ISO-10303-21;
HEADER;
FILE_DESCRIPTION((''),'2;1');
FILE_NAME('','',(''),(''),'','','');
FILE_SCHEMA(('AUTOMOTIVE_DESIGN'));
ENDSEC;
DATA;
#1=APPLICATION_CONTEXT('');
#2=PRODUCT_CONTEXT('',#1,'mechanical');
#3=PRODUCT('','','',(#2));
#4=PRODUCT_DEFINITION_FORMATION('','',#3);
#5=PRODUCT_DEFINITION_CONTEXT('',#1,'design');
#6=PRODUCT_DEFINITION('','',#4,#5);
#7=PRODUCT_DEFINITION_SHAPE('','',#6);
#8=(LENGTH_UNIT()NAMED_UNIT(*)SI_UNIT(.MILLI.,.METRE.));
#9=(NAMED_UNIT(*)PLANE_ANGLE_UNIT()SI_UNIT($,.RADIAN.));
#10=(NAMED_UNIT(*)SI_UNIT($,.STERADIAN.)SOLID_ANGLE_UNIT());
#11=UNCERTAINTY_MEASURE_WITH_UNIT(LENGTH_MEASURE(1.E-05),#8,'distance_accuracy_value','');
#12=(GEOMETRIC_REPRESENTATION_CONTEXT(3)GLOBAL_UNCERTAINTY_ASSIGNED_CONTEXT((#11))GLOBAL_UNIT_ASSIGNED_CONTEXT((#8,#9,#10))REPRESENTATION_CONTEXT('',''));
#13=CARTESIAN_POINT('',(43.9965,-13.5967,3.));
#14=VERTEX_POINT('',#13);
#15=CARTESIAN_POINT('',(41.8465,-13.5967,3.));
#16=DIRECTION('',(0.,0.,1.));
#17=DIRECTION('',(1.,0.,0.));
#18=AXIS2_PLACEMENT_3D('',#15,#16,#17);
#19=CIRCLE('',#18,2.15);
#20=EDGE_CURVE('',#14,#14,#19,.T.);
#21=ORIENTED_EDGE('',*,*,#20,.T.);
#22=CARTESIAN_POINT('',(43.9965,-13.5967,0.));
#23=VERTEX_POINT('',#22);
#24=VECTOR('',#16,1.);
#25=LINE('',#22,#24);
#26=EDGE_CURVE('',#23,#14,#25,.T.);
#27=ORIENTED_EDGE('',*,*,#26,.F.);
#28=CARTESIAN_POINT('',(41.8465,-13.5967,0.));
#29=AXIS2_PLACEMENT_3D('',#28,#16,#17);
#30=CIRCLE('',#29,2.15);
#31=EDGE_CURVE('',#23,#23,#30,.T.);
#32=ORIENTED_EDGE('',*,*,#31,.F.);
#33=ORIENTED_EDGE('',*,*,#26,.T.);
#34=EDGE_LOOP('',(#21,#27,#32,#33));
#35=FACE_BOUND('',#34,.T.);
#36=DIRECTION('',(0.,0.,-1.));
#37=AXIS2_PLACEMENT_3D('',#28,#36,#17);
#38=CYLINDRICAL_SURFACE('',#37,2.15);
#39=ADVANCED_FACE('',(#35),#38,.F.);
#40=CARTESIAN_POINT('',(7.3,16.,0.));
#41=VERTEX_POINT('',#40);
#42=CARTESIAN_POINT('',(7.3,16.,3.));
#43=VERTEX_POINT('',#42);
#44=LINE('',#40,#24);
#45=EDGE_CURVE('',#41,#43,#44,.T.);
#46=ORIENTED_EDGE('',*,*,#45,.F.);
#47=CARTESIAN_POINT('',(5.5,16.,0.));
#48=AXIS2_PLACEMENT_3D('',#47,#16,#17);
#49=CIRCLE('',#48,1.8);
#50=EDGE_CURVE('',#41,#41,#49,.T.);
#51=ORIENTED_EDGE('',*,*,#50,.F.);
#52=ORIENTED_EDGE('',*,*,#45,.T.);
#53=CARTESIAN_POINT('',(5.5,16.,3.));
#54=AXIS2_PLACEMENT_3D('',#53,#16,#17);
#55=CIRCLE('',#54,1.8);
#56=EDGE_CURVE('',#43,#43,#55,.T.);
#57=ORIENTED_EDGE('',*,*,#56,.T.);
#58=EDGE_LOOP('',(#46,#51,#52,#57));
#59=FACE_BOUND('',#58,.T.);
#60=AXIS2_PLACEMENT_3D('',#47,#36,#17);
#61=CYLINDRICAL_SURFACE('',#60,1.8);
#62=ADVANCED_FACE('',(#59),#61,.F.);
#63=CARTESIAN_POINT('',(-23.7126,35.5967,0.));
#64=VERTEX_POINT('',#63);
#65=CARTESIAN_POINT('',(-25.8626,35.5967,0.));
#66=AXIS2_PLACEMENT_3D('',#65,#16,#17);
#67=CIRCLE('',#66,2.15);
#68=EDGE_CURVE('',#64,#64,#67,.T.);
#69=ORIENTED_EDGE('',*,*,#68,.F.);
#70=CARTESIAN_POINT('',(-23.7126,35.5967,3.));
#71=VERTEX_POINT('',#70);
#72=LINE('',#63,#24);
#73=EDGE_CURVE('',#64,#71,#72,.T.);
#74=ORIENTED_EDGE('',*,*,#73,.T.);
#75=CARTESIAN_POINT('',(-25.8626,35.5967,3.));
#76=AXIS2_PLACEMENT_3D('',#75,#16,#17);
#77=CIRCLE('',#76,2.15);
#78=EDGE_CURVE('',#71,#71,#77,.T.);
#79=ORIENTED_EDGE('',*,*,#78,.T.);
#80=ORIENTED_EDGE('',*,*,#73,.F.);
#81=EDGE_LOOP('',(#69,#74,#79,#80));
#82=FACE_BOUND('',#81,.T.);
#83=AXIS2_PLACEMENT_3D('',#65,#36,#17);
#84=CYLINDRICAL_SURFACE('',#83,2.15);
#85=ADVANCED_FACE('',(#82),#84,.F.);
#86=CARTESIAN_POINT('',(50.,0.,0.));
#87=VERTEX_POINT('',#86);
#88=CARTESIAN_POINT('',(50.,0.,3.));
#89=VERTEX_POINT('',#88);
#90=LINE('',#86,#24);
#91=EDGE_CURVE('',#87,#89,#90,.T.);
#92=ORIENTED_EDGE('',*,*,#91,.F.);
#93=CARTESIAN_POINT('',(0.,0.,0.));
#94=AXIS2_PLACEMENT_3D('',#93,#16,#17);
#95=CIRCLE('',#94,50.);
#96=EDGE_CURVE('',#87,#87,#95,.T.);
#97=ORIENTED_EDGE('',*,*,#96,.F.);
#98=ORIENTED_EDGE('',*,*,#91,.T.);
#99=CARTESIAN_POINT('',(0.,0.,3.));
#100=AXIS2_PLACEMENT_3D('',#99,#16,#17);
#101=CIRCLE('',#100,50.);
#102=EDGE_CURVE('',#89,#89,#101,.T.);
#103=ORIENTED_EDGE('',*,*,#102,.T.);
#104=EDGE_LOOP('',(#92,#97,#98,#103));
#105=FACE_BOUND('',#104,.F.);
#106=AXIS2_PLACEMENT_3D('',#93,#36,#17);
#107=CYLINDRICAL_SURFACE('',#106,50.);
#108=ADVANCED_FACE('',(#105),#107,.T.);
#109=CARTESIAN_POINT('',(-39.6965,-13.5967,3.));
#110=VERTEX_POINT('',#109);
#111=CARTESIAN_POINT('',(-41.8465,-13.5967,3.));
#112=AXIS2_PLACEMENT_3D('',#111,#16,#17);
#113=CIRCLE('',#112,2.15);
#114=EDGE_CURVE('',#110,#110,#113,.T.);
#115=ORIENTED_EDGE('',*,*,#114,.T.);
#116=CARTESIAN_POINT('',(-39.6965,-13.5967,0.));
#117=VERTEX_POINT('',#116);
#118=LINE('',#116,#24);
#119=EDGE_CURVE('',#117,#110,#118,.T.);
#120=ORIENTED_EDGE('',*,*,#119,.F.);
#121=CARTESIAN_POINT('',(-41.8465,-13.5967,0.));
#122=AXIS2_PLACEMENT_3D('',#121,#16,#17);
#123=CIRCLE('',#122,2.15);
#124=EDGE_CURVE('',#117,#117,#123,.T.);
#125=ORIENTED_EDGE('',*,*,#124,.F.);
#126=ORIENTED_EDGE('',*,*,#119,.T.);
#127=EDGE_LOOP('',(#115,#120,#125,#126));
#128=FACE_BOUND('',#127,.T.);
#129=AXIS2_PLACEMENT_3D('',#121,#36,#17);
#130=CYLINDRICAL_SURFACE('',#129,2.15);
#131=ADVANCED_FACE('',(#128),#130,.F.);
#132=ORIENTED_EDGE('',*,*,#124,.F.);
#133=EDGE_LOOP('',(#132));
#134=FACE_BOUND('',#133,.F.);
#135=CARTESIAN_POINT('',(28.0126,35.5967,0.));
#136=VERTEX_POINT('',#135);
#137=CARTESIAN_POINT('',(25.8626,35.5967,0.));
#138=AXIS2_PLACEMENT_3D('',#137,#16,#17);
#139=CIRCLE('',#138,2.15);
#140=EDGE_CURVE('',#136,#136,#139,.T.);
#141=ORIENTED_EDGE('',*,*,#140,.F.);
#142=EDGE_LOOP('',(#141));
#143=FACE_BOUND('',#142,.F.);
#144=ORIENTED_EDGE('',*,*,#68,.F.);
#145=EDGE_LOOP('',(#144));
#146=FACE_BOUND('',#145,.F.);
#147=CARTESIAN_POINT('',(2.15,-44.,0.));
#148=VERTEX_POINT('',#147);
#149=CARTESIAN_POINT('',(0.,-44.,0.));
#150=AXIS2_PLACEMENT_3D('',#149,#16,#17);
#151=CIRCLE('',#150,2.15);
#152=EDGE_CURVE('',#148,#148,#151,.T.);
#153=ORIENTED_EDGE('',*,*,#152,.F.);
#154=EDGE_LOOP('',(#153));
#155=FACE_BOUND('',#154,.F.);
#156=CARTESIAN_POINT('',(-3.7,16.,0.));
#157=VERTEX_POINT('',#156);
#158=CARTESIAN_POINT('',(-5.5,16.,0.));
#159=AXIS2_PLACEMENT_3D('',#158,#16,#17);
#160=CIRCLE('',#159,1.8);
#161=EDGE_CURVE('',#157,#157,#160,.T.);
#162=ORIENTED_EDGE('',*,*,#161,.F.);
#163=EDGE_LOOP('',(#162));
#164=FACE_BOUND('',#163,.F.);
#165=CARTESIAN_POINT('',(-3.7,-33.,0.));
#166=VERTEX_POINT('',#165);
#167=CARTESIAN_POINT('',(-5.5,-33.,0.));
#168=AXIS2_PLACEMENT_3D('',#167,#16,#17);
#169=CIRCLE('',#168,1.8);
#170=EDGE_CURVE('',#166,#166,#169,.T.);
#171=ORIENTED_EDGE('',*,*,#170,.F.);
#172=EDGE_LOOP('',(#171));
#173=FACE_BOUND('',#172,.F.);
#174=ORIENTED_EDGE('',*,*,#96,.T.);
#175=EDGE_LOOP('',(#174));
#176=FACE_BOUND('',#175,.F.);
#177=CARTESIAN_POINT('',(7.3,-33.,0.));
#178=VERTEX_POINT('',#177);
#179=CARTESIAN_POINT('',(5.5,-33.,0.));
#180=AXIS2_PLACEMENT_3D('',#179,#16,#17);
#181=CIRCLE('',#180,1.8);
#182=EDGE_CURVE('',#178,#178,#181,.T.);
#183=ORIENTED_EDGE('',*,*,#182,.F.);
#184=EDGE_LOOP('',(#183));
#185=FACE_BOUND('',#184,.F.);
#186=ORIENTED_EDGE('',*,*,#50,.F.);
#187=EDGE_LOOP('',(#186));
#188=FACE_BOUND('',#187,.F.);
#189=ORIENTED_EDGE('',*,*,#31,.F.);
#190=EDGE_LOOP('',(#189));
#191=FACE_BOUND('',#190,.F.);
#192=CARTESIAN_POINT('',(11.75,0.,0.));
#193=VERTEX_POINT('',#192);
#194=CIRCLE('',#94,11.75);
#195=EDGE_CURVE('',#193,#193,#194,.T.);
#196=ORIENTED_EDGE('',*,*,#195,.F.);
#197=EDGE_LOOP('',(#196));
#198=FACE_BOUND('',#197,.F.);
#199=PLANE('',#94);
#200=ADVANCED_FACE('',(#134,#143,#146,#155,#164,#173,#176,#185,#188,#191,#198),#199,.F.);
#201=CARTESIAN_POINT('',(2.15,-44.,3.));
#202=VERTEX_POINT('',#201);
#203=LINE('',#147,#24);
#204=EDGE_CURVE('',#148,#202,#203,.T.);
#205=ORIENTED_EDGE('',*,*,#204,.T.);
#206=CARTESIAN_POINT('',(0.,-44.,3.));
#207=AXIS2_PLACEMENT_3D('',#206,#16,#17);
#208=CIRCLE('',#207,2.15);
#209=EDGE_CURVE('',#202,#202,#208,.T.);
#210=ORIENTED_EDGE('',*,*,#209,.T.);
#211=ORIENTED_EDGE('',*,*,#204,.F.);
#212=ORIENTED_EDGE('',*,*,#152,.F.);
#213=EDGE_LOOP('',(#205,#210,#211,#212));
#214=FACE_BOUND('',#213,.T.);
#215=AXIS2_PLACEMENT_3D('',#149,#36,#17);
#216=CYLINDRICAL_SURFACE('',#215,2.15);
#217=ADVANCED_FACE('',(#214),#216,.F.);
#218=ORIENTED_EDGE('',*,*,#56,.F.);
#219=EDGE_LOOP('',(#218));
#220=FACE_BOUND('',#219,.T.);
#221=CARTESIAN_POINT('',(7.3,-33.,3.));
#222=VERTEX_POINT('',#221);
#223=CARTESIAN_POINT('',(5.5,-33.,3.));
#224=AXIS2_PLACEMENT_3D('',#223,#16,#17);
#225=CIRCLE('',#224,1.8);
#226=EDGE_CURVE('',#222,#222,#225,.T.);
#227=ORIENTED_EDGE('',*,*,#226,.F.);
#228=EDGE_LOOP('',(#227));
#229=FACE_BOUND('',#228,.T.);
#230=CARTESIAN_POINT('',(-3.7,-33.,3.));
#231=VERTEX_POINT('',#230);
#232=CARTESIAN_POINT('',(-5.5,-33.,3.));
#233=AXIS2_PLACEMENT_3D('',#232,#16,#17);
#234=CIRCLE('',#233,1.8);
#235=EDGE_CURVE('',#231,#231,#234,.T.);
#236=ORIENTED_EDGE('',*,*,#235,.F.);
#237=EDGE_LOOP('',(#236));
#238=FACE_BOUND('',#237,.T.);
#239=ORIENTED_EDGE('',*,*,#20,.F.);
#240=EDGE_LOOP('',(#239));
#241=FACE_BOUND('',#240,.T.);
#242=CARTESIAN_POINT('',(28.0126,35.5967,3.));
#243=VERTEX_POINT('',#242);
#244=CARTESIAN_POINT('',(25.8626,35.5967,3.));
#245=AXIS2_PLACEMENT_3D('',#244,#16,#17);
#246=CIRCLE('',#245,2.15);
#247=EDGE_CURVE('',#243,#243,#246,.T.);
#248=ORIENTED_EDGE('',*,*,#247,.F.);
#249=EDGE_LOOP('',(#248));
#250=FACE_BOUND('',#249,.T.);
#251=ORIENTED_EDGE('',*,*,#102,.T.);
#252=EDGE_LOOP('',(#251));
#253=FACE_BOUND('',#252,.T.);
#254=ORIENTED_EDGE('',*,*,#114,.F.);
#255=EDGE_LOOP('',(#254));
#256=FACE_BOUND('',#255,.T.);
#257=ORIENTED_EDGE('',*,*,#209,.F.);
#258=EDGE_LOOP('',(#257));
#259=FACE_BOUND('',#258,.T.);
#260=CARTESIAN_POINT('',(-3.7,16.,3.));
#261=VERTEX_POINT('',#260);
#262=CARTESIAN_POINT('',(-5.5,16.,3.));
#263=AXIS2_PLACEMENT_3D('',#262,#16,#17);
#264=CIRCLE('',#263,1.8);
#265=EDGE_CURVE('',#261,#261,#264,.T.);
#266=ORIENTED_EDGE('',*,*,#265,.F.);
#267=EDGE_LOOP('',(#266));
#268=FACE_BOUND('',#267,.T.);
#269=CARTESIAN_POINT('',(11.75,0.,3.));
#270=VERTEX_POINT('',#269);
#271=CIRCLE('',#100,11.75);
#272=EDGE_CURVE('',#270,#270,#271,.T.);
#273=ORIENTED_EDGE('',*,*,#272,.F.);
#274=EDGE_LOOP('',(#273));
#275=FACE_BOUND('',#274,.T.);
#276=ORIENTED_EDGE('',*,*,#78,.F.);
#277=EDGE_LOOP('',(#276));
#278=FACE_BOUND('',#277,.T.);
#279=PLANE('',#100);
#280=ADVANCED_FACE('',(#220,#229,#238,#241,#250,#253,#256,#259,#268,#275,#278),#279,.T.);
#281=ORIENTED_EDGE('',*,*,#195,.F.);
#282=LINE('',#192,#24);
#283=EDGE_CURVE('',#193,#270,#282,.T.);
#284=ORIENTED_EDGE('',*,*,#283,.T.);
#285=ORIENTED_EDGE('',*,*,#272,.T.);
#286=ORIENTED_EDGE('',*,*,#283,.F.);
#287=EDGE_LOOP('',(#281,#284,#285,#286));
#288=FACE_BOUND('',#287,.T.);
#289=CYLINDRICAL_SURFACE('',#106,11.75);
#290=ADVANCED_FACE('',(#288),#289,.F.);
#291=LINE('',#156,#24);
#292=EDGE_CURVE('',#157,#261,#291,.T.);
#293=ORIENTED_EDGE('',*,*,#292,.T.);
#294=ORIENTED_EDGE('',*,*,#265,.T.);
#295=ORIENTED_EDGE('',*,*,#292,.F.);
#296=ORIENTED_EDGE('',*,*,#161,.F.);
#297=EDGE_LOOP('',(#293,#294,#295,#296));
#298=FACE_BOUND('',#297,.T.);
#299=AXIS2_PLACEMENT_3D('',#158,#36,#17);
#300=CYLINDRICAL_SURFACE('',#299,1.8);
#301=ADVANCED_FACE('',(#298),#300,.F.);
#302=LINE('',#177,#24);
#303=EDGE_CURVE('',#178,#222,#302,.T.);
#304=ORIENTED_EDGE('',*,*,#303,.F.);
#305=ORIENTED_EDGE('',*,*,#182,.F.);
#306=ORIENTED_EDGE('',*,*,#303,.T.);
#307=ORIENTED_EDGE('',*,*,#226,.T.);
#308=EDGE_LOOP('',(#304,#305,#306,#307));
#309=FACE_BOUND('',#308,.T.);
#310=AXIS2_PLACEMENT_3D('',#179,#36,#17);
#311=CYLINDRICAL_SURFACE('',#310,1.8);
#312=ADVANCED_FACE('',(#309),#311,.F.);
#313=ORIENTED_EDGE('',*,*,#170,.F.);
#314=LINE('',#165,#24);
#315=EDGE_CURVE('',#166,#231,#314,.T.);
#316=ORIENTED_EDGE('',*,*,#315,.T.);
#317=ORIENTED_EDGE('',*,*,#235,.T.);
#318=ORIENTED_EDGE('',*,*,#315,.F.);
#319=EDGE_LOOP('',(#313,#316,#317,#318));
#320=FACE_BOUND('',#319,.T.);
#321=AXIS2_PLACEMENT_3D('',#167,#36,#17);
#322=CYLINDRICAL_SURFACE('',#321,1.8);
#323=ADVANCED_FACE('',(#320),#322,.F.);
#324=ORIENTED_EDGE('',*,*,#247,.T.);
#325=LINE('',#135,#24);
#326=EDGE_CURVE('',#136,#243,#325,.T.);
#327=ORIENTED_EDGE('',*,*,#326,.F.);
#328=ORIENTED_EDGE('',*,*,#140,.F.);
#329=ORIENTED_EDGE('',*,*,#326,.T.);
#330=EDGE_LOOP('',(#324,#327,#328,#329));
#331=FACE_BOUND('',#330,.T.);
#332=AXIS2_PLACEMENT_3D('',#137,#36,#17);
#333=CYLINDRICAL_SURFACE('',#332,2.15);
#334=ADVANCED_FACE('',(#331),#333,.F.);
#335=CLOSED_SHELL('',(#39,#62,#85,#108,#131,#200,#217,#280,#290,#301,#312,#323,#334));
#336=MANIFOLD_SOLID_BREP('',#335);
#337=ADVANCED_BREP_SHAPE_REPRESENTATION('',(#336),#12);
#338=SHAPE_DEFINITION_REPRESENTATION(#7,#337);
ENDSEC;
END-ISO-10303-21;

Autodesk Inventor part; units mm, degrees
ref_plane "YZ Plane" through (0, 0, 0) normal (1, 0, 0) x (0, 1, 0)
ref_plane "XZ Plane" through (0, 0, 0) normal (0, 1, 0) x (-1, 0, 0)
ref_plane "XY Plane" through (0, 0, 0) normal (0, 0, 1) x (1, 0, 0)
sketch "Sketch1" plane through (0, 0, 0) normal (0, 0, 1) x (1, 0, 0)
  circle A0 centre (0, 0) radius 50
  circle A1 centre (0, 0) radius 11.75
  circle A2 centre (0, -44) radius 2.15
  circle A3 centre (-41.8465, -13.5967) radius 2.15
  circle A4 centre (-25.8626, 35.5967) radius 2.15
  circle A5 centre (25.8626, 35.5967) radius 2.15
  circle A6 centre (41.8465, -13.5967) radius 2.15
  line L0 (25.8626, 35.5967) -> (30.8626, 35.5967) construction
  line L1 (25.8626, 35.5967) -> (31.8626, 35.5967) construction
  circle A7 centre (-5.5, 16) radius 1.8
  circle A8 centre (5.5, 16) radius 1.8
  circle A9 centre (5.5, -33) radius 1.8
  circle A10 centre (-5.5, -33) radius 1.8
  line L2 (0, 50) -> (-5.5, 50) construction
  dimension "d0" = 100
  dimension "d3" = 23.5
  dimension "d7" = 4.3
  dimension "d8" = 4.3
  dimension "d9" = 4.3
  dimension "d10" = 4.3
  dimension "d11" = 4.3
  dimension "d18" = 3.6
  dimension "d21" = 34
  dimension "d22" = 11
  dimension "d23" = 49
  dimension "d24" = 49
  dimension "d25" = 11
extrude "Extrusion1" add sketch "Sketch1" along normal blind 3
properties part number "Base2"
